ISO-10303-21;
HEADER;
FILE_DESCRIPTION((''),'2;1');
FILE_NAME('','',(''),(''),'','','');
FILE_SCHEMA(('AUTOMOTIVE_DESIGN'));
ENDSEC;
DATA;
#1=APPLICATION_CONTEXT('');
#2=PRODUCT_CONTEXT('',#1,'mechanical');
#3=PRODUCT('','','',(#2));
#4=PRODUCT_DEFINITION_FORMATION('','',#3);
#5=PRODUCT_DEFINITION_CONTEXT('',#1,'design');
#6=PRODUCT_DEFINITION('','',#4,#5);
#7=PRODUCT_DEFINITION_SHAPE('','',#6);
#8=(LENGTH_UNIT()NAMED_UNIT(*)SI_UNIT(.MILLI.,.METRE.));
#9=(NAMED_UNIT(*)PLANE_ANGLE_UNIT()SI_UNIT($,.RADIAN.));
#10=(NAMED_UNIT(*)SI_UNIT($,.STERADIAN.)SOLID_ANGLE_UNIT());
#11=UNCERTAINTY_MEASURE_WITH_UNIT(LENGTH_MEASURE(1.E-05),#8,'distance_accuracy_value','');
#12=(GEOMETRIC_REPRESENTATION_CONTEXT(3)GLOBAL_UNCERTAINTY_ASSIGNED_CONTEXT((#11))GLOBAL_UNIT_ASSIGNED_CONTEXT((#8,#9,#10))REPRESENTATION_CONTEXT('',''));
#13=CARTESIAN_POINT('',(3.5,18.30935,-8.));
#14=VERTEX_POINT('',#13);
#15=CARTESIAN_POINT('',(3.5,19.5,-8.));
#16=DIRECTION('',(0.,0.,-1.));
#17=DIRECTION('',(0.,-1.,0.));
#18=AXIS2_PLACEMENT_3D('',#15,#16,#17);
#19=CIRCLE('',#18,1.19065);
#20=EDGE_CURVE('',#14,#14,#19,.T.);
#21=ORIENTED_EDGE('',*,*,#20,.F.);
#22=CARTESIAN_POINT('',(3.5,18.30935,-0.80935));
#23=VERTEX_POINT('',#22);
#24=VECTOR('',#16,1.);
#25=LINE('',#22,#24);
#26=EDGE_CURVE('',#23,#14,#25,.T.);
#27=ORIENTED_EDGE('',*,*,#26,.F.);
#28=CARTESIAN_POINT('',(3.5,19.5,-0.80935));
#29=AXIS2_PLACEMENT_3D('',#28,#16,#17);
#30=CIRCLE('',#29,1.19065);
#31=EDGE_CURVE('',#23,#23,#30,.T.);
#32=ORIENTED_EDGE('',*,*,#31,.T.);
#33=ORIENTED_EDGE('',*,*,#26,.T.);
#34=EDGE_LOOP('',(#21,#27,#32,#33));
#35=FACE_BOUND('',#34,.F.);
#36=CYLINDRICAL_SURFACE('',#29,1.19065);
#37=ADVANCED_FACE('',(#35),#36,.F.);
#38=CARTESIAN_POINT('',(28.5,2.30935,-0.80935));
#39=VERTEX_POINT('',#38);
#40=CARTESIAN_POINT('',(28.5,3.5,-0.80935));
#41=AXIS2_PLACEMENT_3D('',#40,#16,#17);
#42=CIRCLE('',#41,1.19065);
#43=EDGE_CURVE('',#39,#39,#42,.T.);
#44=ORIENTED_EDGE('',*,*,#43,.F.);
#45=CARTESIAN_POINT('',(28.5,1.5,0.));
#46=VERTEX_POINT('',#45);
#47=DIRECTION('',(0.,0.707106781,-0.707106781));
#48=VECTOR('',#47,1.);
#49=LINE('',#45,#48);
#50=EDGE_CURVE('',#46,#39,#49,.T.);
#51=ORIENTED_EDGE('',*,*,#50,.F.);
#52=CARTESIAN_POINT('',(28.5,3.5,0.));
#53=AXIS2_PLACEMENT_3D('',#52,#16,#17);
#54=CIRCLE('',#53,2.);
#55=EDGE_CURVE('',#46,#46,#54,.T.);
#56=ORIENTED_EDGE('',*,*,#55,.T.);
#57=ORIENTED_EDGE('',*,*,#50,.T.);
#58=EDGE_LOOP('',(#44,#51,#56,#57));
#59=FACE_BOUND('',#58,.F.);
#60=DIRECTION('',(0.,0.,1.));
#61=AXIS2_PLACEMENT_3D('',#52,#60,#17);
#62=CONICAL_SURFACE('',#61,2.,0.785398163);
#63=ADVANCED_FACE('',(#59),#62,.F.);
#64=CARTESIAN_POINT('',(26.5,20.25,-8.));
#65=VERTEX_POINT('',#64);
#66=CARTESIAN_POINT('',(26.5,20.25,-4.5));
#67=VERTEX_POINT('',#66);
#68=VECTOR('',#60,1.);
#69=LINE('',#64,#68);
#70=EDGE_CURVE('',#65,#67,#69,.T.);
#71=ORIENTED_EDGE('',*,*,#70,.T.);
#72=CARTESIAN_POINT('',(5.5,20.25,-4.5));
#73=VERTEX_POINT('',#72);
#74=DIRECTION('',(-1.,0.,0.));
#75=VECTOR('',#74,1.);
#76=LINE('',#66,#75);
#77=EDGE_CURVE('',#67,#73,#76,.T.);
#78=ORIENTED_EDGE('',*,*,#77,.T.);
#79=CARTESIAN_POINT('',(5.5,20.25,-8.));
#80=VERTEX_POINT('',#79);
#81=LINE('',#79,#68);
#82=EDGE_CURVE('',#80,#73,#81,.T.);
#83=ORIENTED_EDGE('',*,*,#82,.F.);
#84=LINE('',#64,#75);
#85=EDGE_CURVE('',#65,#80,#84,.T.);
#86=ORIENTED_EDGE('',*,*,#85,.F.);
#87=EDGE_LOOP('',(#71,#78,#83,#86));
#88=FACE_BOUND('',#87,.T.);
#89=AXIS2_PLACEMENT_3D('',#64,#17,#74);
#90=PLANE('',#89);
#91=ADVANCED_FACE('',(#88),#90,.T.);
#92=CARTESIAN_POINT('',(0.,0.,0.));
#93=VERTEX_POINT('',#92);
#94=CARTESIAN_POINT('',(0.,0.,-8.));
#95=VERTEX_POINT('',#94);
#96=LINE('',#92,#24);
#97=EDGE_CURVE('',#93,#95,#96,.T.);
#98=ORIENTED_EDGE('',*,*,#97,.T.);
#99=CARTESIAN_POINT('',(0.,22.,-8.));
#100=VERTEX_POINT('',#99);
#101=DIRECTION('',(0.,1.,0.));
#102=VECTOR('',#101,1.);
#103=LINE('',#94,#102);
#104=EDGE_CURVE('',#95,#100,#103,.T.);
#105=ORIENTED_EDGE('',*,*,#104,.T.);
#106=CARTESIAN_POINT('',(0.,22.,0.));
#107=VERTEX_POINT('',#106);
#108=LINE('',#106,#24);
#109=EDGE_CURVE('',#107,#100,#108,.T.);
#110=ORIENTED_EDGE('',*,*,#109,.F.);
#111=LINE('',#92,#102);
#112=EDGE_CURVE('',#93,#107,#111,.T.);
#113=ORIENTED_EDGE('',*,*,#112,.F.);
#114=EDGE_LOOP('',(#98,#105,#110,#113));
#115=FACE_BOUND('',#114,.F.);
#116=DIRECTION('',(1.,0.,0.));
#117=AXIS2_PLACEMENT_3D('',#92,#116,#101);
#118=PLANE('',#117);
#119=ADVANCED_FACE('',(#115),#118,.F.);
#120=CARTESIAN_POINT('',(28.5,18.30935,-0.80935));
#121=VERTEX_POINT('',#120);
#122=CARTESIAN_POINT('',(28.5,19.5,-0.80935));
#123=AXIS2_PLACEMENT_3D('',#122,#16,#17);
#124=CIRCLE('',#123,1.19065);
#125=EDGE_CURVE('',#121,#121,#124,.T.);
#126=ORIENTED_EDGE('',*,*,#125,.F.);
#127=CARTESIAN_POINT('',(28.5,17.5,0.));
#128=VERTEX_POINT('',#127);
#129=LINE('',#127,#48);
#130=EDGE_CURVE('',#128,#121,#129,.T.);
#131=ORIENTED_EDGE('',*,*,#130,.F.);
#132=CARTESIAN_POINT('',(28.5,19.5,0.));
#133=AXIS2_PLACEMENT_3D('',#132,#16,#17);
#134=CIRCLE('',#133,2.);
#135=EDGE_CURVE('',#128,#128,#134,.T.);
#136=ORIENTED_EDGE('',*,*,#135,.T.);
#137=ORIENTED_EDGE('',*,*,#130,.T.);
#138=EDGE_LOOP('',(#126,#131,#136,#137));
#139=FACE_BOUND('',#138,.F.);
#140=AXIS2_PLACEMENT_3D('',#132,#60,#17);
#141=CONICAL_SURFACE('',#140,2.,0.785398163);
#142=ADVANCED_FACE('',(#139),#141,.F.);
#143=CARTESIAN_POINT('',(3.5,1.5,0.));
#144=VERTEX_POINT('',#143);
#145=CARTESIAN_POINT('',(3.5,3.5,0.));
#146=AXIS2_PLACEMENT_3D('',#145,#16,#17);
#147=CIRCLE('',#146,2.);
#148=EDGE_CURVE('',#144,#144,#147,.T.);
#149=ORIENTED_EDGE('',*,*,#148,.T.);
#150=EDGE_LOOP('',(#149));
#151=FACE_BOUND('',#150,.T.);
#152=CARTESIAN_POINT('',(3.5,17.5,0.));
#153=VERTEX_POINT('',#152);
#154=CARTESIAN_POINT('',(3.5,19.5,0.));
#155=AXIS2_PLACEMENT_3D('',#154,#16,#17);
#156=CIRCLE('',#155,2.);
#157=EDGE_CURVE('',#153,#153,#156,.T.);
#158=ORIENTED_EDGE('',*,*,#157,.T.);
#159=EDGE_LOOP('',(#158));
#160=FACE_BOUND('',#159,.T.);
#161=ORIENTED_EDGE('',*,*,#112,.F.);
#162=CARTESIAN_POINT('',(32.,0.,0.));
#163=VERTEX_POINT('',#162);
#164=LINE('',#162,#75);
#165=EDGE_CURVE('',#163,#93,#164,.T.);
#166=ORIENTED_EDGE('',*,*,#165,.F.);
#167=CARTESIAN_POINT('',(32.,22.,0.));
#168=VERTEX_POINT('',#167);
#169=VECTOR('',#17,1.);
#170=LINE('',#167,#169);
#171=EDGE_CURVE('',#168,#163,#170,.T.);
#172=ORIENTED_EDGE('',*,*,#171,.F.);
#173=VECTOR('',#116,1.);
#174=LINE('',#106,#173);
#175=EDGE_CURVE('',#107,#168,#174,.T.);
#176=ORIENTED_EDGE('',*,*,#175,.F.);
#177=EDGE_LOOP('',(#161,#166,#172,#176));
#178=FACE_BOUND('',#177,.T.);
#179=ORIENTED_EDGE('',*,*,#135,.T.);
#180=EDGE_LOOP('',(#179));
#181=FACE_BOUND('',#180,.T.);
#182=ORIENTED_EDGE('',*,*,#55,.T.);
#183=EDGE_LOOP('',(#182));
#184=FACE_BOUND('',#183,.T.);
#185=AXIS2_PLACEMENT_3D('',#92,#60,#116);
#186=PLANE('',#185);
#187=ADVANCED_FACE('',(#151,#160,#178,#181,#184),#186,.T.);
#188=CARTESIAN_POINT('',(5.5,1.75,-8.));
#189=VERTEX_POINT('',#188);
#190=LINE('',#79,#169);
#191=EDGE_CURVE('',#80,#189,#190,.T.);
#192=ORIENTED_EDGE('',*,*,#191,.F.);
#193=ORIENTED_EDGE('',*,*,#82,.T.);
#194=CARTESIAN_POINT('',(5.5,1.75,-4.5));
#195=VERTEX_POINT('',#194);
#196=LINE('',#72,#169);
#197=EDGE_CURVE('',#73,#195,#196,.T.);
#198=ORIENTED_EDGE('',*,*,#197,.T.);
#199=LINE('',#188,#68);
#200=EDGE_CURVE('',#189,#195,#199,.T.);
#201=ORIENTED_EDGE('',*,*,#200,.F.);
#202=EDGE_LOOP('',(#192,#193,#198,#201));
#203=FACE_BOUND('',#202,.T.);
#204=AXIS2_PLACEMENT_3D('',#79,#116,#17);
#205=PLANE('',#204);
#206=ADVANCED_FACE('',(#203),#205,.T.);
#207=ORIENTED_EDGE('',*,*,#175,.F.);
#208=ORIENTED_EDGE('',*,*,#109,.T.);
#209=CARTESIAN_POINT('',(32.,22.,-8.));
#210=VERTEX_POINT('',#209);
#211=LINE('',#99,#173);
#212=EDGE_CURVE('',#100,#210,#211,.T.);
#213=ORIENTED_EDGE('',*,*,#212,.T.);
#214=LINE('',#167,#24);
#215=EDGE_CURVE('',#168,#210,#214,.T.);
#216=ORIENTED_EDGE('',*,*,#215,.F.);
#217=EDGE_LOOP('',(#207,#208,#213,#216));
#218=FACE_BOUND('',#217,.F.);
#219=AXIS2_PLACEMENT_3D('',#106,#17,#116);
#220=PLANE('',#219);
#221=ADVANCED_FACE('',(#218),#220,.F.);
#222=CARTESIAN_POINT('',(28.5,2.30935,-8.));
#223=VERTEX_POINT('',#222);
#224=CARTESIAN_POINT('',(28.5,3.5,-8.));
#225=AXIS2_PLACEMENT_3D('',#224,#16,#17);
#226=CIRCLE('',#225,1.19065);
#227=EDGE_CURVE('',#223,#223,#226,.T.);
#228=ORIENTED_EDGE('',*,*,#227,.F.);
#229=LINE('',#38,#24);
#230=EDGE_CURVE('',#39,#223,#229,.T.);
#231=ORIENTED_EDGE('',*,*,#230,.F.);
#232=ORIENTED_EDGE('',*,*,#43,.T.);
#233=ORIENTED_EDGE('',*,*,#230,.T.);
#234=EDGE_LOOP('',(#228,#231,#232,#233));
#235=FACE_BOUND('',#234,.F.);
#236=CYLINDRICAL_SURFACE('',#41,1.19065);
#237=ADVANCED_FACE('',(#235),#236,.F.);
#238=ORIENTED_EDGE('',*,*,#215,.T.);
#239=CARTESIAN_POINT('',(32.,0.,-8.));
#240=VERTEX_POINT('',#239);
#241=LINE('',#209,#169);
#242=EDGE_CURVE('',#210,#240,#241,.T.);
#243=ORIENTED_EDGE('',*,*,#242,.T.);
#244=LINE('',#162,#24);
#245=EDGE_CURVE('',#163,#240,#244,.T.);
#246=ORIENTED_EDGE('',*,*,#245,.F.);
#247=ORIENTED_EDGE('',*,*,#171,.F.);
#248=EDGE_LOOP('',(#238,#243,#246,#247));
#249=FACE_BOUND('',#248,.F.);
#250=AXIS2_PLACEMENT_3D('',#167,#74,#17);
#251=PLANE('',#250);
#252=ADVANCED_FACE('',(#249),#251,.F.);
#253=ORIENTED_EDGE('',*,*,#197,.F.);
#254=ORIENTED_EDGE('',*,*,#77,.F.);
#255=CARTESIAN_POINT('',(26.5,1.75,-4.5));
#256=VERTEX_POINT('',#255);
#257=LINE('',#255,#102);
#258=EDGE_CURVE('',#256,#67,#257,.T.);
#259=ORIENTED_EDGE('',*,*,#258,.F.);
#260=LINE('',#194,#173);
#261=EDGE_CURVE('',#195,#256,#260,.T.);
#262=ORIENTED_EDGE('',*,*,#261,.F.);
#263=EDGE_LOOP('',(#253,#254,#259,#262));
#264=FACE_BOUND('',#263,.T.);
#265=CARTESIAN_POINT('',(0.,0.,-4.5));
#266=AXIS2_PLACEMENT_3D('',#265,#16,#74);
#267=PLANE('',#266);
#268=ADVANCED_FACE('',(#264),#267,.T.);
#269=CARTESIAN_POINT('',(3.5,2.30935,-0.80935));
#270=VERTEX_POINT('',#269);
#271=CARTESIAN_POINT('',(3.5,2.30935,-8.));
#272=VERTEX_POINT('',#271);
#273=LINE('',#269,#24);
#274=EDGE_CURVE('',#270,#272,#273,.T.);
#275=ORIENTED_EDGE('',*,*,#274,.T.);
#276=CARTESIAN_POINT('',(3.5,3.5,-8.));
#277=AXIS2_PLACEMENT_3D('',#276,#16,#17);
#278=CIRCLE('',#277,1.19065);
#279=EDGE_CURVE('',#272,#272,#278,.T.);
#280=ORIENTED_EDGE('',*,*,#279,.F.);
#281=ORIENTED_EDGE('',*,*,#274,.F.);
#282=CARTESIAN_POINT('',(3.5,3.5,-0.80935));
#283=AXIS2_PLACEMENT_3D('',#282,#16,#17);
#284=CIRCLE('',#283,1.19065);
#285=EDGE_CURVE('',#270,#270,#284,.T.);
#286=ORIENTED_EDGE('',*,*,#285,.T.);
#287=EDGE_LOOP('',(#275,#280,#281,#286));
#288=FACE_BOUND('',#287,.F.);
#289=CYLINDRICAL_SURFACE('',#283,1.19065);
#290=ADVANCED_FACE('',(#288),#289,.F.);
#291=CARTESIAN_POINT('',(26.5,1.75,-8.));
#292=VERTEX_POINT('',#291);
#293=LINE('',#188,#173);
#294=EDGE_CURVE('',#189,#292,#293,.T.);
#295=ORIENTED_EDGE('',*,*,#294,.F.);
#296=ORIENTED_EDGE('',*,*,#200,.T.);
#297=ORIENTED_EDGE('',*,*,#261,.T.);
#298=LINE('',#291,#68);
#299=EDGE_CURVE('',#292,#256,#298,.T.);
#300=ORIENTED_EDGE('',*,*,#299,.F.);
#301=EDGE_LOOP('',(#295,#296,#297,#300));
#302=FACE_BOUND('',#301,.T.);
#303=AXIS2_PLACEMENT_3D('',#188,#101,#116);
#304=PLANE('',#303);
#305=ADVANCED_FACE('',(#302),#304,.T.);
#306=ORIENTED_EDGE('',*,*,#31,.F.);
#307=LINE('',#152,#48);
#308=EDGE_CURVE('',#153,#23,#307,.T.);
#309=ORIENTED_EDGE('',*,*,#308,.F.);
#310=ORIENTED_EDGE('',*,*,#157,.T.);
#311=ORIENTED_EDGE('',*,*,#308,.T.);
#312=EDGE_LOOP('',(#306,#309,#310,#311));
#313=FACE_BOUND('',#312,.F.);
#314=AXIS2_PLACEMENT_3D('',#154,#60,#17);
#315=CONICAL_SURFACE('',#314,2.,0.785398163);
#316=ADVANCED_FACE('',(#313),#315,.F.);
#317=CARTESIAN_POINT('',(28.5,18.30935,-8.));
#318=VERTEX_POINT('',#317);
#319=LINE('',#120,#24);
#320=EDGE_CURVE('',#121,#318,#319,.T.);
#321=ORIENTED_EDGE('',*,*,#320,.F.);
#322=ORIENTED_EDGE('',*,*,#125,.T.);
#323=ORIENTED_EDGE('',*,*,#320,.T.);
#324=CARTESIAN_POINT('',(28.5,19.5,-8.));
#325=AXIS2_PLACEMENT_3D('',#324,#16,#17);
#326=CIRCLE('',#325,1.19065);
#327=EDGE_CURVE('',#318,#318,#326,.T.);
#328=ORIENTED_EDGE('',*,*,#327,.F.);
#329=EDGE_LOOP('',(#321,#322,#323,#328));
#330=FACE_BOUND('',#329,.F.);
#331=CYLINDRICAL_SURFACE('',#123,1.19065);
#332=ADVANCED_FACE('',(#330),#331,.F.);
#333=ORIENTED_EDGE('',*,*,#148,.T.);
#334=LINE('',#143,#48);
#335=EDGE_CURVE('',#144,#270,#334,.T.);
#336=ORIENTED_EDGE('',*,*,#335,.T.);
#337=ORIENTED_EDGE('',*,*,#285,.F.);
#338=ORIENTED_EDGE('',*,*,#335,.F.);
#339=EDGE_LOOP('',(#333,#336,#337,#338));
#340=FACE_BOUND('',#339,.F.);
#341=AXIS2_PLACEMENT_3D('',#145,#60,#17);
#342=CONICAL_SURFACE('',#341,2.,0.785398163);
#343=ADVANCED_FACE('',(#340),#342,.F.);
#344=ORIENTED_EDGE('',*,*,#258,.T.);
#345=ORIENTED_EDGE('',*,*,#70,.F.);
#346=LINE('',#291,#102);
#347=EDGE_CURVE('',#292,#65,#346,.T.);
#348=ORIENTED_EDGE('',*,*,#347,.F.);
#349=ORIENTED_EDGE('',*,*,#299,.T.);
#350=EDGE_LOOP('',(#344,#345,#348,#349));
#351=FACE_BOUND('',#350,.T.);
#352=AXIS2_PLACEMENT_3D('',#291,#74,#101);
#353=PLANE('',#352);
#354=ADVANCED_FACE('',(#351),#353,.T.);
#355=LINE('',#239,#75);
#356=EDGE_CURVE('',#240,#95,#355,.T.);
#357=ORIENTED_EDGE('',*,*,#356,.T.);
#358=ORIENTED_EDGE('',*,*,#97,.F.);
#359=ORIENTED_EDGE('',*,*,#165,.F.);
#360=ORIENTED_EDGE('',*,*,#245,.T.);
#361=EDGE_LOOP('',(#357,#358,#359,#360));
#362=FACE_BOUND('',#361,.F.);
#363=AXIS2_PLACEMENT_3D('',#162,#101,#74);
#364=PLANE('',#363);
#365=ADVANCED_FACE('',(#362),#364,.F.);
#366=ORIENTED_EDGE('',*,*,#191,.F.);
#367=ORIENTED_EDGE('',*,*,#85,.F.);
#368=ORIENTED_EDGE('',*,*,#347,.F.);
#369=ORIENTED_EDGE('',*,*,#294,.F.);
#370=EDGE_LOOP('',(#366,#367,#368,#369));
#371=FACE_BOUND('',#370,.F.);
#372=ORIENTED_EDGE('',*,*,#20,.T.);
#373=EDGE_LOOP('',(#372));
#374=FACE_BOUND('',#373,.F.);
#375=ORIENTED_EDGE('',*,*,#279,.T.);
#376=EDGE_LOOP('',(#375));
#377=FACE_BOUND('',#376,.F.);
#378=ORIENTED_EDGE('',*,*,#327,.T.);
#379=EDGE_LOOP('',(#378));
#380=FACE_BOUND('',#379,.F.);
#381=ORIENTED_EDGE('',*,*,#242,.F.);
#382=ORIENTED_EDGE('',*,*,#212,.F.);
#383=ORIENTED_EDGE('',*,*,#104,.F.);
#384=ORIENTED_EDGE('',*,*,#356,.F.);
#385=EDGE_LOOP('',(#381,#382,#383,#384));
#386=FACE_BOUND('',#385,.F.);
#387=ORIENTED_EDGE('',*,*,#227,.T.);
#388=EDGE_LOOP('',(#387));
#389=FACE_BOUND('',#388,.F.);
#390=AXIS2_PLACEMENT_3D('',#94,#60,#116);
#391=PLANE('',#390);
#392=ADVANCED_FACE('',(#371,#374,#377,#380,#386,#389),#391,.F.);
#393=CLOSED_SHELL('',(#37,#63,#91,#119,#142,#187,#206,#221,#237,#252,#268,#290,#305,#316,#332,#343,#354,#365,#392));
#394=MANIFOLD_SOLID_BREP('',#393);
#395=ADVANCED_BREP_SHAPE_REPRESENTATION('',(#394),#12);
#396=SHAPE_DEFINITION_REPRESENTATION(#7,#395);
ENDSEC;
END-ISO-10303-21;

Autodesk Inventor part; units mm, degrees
ref_plane "YZ Plane" through (0, 0, 0) normal (1, 0, 0) x (0, 1, 0)
ref_plane "XZ Plane" through (0, 0, 0) normal (0, 1, 0) x (-1, 0, 0)
ref_plane "XY Plane" through (0, 0, 0) normal (0, 0, 1) x (1, 0, 0)
sketch "Sketch1" plane through (0, 0, 0) normal (0, 0, 1) x (1, 0, 0)
  line L0 (0, 0) -> (0, 22)
  line L1 (0, 22) -> (32, 22)
  line L2 (32, 22) -> (32, 0)
  line L3 (32, 0) -> (0, 0)
  line L4 (16, 22) -> (16, 0) construction
  line L5 (32, 11) -> (0, 11) construction
  point P0 (3.5, 3.5)
  point P1 (28.5, 3.5)
  point P2 (3.5, 19.5)
  point P3 (28.5, 19.5)
  dimension "d0" = 32
  dimension "d1" = 22
  dimension "d2" = 3.5
  dimension "d3" = 3.5
  dimension "d4" = 2.5
extrude "Extrusion1" add sketch "Sketch1" against normal blind 8
hole "Hole1" at (3.5, 3.5, 0) at (28.5, 3.5, 0) at (3.5, 19.5, 0) at (28.5, 19.5, 0) direction (0, 0, -1) diameter 2.3813 depth 10 tip angle 118 countersink diameter 4 countersink angle 90
sketch "Sketch2" plane through (0, 0, -8) normal (0, 0, -1) x (-1, 0, 0)
  line L0 (-5.5, 1.75) -> (-26.5, 1.75)
  line L1 (-26.5, 1.75) -> (-26.5, 20.25)
  line L2 (-26.5, 20.25) -> (-5.5, 20.25)
  line L3 (-5.5, 20.25) -> (-5.5, 1.75)
  line L4 (-5.5, 1.75) -> (-26.5, 20.25) construction
  line L5 (-26.5, 1.75) -> (-5.5, 20.25) construction
  line L6 (-32, 22) -> (0, 22) projected
  line L7 (-16, 22) -> (-16, 0) construction
  line L8 (0, 0) -> (-32, 0) projected
  line L9 (-32, 0) -> (-32, 22) projected
  line L10 (-32, 11) -> (0, 11) construction
  line L11 (0, 22) -> (0, 0) projected
  point P0 (-16, 11)
  dimension "d14" = 21
  dimension "d15" = 18.5
extrude "Extrusion2" cut sketch "Sketch2" against normal blind 3.5 contours L0 L1 L2 L3
sketch "Sketch3" plane through (0, 0, -8) normal (0, 0, -1) x (-1, 0, 0)
  point P0 (0, 0)
properties part number "sensor_Mount"
